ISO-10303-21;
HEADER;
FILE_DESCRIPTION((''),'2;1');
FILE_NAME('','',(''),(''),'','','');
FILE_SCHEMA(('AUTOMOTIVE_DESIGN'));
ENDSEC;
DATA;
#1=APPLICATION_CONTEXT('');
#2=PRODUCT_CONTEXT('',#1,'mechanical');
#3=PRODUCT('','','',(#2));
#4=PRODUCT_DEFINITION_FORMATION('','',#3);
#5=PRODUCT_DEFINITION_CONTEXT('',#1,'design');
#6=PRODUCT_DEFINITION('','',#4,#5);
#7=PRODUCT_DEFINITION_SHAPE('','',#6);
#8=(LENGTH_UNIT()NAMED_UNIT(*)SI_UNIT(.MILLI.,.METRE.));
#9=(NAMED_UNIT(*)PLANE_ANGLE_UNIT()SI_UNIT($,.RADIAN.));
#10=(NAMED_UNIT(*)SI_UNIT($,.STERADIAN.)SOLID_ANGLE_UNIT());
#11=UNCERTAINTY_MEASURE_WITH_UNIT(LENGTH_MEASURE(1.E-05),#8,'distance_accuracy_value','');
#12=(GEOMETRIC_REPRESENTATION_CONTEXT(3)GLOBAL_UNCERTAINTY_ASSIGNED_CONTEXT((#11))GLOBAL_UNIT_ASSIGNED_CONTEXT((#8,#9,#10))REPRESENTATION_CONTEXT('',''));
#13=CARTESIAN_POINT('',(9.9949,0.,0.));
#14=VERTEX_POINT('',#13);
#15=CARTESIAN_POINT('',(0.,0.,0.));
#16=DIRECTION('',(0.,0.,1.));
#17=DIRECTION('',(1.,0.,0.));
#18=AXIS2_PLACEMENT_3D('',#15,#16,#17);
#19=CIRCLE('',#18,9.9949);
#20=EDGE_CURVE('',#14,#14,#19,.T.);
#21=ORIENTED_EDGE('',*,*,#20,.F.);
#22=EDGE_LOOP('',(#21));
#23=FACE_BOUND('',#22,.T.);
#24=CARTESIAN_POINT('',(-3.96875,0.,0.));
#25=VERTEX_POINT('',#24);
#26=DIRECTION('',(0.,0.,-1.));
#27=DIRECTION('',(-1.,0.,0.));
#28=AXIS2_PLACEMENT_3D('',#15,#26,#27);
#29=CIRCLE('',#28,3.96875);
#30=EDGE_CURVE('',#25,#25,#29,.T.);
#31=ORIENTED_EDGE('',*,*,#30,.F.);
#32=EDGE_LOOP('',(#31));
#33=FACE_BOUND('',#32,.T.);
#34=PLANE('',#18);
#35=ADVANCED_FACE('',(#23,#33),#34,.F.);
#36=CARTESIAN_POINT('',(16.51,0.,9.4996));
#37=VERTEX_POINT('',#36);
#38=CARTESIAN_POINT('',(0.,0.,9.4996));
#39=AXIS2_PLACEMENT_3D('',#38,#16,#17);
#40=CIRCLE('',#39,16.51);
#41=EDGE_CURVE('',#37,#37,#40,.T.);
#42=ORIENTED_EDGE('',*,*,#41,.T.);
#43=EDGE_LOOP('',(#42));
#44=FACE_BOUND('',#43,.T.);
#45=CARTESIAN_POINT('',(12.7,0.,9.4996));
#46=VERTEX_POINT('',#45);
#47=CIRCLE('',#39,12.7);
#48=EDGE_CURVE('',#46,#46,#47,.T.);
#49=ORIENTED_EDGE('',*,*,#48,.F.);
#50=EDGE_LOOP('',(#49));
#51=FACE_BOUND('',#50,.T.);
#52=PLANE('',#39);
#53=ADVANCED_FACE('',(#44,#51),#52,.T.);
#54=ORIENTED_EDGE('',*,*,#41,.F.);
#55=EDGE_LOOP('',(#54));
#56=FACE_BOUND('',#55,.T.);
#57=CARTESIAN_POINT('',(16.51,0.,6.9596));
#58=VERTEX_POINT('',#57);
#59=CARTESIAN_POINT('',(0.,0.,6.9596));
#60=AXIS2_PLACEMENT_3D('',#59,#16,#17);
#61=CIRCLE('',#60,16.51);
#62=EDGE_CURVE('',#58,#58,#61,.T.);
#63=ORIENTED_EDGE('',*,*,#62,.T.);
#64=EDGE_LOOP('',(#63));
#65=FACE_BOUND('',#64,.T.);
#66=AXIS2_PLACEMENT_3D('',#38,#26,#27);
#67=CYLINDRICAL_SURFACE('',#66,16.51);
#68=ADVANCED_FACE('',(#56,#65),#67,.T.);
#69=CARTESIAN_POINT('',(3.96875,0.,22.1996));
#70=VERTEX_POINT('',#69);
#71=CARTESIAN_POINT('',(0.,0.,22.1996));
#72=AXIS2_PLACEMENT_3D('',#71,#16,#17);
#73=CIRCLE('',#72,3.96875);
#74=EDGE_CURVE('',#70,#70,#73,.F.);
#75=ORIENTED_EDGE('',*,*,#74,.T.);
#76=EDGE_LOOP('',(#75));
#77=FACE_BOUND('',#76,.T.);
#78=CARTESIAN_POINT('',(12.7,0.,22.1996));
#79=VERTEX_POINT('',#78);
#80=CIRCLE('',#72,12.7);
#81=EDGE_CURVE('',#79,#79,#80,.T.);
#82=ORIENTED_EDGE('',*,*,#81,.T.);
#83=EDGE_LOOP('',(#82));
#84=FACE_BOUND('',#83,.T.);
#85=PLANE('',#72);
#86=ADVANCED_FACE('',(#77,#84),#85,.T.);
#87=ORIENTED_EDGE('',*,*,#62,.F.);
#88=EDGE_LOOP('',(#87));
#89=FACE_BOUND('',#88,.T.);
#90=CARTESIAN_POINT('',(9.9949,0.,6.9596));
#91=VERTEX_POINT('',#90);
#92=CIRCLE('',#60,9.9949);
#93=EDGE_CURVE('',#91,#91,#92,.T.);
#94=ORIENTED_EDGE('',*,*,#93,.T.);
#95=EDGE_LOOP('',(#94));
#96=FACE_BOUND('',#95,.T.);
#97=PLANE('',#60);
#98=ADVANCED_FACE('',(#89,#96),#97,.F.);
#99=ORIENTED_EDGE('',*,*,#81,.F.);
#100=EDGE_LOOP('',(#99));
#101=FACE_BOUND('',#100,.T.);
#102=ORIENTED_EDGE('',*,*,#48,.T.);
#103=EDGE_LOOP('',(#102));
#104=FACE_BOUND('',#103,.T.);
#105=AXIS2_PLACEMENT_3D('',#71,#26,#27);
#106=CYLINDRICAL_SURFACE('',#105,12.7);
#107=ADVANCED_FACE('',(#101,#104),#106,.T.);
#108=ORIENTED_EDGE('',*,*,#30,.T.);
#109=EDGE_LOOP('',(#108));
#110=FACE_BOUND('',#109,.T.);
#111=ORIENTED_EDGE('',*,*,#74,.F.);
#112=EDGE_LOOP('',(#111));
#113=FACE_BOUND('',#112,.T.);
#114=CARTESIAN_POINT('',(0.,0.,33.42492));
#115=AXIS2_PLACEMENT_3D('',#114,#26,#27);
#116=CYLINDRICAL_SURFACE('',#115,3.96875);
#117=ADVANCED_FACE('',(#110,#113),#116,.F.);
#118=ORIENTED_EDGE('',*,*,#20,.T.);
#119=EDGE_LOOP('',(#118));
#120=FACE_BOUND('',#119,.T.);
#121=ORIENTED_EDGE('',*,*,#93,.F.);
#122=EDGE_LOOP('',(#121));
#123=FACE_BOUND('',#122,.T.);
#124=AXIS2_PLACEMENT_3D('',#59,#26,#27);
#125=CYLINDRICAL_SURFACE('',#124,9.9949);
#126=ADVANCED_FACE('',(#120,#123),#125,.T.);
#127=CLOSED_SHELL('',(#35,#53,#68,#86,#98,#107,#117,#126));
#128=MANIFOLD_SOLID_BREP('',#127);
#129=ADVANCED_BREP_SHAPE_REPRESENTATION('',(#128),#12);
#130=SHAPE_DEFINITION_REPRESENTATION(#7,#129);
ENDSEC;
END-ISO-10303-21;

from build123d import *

# Parameters (mm, degrees)
SKETCH1_R           = 9.9949
BOSS_EXTRUDE1_DEPTH = 6.9596
SKETCH2_R           = 16.51
BOSS_EXTRUDE2_DEPTH = 2.54
SKETCH5_R           = 12.7
BOSS_EXTRUDE4_DEPTH = 12.7
SKETCH6_R           = 3.96875
CUT_EXTRUDE1_DEPTH  = 22.1996


with BuildPart() as part:
    # Sketch1 → Boss-Extrude1 (new body)
    with BuildSketch(Plane.XY):
        Circle(SKETCH1_R)
    extrude(amount=BOSS_EXTRUDE1_DEPTH)

    # Sketch2 → Boss-Extrude2 (add)
    with BuildSketch(Plane.XY.offset(6.9596)):
        Circle(SKETCH2_R)
    extrude(amount=BOSS_EXTRUDE2_DEPTH)

    # Sketch5 → Boss-Extrude4 (add)
    with BuildSketch(Plane.XY.offset(9.4996)):
        Circle(SKETCH5_R)
    extrude(amount=BOSS_EXTRUDE4_DEPTH)

    # Sketch6 → Cut-Extrude1 (cut)
    with BuildSketch(Plane(origin=(0, 0, 0), x_dir=(-1, 0, 0), z_dir=(0, 0, -1))):
        Circle(SKETCH6_R)
    extrude(amount=-CUT_EXTRUDE1_DEPTH, mode=Mode.SUBTRACT)


solid = part.part
